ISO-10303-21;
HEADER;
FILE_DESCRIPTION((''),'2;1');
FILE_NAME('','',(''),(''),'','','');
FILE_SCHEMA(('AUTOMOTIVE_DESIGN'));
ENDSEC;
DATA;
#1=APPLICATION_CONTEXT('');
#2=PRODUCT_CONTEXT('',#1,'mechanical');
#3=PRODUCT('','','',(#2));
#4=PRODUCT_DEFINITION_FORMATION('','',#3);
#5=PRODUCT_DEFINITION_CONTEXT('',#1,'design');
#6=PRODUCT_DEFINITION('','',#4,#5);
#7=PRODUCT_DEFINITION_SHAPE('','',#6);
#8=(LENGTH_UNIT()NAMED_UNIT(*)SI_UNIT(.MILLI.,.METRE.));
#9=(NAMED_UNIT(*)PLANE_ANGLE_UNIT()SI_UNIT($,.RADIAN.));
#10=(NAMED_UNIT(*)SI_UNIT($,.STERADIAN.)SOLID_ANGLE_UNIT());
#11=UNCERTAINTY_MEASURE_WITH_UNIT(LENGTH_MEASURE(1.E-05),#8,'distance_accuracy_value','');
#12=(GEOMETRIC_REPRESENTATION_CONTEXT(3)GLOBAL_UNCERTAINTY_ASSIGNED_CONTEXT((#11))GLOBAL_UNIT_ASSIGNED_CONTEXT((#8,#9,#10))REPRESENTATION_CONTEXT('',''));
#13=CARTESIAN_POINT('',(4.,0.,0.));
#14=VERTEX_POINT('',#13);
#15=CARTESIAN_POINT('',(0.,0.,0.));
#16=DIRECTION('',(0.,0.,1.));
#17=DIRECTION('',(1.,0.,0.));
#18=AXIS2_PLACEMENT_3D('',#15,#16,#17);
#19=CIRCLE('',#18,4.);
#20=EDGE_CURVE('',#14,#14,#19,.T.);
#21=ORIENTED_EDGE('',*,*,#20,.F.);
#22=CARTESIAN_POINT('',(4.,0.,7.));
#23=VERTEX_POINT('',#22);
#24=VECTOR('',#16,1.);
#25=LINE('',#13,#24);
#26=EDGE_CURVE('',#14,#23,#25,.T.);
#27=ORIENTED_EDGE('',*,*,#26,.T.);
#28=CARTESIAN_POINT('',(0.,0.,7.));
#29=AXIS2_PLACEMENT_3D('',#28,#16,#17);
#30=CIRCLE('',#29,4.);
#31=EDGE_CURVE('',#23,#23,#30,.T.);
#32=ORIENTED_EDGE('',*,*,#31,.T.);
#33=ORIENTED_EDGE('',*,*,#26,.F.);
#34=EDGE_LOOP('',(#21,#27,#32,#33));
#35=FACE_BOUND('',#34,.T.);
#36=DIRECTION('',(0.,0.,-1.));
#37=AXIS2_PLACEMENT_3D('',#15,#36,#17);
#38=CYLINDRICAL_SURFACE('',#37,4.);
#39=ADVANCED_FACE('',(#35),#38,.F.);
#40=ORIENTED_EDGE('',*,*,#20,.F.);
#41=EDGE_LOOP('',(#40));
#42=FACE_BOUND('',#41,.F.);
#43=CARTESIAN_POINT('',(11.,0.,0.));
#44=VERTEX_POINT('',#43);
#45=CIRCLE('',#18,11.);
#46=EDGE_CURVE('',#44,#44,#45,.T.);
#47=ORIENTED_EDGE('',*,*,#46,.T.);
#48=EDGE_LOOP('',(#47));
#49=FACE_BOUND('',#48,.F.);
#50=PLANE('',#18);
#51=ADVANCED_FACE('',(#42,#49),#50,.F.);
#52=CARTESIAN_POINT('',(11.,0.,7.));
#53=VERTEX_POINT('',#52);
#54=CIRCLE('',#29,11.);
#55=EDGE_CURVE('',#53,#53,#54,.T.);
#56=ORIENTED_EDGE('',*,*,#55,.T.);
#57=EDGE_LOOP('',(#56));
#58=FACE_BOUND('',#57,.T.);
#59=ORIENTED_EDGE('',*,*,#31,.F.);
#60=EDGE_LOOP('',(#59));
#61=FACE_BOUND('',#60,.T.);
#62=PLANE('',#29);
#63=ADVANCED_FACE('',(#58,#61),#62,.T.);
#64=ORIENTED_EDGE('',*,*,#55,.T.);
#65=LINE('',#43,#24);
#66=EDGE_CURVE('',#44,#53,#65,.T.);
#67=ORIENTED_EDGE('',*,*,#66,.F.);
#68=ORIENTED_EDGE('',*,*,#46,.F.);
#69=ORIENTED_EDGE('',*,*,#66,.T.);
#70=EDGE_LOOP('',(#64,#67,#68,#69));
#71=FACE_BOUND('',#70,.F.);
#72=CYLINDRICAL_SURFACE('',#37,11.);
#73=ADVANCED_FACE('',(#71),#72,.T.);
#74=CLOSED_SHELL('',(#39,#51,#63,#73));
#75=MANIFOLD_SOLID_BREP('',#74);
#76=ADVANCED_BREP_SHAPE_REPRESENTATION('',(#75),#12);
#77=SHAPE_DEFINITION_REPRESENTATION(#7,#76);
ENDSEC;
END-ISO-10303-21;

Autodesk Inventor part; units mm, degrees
ref_plane "YZ Plane" through (0, 0, 0) normal (1, 0, 0) x (0, 1, 0)
ref_plane "XZ Plane" through (0, 0, 0) normal (0, 1, 0) x (-1, 0, 0)
ref_plane "XY Plane" through (0, 0, 0) normal (0, 0, 1) x (1, 0, 0)
sketch "Sketch1" plane through (0, 0, 0) normal (0, 0, 1) x (1, 0, 0)
  circle A0 centre (0, 0) radius 4
  circle A1 centre (0, 0) radius 11
  dimension "d0" = 8
  dimension "d1" = 22
extrude "Extrusion1" add sketch "Sketch1" along normal blind 7
properties part number "608 bearing"
